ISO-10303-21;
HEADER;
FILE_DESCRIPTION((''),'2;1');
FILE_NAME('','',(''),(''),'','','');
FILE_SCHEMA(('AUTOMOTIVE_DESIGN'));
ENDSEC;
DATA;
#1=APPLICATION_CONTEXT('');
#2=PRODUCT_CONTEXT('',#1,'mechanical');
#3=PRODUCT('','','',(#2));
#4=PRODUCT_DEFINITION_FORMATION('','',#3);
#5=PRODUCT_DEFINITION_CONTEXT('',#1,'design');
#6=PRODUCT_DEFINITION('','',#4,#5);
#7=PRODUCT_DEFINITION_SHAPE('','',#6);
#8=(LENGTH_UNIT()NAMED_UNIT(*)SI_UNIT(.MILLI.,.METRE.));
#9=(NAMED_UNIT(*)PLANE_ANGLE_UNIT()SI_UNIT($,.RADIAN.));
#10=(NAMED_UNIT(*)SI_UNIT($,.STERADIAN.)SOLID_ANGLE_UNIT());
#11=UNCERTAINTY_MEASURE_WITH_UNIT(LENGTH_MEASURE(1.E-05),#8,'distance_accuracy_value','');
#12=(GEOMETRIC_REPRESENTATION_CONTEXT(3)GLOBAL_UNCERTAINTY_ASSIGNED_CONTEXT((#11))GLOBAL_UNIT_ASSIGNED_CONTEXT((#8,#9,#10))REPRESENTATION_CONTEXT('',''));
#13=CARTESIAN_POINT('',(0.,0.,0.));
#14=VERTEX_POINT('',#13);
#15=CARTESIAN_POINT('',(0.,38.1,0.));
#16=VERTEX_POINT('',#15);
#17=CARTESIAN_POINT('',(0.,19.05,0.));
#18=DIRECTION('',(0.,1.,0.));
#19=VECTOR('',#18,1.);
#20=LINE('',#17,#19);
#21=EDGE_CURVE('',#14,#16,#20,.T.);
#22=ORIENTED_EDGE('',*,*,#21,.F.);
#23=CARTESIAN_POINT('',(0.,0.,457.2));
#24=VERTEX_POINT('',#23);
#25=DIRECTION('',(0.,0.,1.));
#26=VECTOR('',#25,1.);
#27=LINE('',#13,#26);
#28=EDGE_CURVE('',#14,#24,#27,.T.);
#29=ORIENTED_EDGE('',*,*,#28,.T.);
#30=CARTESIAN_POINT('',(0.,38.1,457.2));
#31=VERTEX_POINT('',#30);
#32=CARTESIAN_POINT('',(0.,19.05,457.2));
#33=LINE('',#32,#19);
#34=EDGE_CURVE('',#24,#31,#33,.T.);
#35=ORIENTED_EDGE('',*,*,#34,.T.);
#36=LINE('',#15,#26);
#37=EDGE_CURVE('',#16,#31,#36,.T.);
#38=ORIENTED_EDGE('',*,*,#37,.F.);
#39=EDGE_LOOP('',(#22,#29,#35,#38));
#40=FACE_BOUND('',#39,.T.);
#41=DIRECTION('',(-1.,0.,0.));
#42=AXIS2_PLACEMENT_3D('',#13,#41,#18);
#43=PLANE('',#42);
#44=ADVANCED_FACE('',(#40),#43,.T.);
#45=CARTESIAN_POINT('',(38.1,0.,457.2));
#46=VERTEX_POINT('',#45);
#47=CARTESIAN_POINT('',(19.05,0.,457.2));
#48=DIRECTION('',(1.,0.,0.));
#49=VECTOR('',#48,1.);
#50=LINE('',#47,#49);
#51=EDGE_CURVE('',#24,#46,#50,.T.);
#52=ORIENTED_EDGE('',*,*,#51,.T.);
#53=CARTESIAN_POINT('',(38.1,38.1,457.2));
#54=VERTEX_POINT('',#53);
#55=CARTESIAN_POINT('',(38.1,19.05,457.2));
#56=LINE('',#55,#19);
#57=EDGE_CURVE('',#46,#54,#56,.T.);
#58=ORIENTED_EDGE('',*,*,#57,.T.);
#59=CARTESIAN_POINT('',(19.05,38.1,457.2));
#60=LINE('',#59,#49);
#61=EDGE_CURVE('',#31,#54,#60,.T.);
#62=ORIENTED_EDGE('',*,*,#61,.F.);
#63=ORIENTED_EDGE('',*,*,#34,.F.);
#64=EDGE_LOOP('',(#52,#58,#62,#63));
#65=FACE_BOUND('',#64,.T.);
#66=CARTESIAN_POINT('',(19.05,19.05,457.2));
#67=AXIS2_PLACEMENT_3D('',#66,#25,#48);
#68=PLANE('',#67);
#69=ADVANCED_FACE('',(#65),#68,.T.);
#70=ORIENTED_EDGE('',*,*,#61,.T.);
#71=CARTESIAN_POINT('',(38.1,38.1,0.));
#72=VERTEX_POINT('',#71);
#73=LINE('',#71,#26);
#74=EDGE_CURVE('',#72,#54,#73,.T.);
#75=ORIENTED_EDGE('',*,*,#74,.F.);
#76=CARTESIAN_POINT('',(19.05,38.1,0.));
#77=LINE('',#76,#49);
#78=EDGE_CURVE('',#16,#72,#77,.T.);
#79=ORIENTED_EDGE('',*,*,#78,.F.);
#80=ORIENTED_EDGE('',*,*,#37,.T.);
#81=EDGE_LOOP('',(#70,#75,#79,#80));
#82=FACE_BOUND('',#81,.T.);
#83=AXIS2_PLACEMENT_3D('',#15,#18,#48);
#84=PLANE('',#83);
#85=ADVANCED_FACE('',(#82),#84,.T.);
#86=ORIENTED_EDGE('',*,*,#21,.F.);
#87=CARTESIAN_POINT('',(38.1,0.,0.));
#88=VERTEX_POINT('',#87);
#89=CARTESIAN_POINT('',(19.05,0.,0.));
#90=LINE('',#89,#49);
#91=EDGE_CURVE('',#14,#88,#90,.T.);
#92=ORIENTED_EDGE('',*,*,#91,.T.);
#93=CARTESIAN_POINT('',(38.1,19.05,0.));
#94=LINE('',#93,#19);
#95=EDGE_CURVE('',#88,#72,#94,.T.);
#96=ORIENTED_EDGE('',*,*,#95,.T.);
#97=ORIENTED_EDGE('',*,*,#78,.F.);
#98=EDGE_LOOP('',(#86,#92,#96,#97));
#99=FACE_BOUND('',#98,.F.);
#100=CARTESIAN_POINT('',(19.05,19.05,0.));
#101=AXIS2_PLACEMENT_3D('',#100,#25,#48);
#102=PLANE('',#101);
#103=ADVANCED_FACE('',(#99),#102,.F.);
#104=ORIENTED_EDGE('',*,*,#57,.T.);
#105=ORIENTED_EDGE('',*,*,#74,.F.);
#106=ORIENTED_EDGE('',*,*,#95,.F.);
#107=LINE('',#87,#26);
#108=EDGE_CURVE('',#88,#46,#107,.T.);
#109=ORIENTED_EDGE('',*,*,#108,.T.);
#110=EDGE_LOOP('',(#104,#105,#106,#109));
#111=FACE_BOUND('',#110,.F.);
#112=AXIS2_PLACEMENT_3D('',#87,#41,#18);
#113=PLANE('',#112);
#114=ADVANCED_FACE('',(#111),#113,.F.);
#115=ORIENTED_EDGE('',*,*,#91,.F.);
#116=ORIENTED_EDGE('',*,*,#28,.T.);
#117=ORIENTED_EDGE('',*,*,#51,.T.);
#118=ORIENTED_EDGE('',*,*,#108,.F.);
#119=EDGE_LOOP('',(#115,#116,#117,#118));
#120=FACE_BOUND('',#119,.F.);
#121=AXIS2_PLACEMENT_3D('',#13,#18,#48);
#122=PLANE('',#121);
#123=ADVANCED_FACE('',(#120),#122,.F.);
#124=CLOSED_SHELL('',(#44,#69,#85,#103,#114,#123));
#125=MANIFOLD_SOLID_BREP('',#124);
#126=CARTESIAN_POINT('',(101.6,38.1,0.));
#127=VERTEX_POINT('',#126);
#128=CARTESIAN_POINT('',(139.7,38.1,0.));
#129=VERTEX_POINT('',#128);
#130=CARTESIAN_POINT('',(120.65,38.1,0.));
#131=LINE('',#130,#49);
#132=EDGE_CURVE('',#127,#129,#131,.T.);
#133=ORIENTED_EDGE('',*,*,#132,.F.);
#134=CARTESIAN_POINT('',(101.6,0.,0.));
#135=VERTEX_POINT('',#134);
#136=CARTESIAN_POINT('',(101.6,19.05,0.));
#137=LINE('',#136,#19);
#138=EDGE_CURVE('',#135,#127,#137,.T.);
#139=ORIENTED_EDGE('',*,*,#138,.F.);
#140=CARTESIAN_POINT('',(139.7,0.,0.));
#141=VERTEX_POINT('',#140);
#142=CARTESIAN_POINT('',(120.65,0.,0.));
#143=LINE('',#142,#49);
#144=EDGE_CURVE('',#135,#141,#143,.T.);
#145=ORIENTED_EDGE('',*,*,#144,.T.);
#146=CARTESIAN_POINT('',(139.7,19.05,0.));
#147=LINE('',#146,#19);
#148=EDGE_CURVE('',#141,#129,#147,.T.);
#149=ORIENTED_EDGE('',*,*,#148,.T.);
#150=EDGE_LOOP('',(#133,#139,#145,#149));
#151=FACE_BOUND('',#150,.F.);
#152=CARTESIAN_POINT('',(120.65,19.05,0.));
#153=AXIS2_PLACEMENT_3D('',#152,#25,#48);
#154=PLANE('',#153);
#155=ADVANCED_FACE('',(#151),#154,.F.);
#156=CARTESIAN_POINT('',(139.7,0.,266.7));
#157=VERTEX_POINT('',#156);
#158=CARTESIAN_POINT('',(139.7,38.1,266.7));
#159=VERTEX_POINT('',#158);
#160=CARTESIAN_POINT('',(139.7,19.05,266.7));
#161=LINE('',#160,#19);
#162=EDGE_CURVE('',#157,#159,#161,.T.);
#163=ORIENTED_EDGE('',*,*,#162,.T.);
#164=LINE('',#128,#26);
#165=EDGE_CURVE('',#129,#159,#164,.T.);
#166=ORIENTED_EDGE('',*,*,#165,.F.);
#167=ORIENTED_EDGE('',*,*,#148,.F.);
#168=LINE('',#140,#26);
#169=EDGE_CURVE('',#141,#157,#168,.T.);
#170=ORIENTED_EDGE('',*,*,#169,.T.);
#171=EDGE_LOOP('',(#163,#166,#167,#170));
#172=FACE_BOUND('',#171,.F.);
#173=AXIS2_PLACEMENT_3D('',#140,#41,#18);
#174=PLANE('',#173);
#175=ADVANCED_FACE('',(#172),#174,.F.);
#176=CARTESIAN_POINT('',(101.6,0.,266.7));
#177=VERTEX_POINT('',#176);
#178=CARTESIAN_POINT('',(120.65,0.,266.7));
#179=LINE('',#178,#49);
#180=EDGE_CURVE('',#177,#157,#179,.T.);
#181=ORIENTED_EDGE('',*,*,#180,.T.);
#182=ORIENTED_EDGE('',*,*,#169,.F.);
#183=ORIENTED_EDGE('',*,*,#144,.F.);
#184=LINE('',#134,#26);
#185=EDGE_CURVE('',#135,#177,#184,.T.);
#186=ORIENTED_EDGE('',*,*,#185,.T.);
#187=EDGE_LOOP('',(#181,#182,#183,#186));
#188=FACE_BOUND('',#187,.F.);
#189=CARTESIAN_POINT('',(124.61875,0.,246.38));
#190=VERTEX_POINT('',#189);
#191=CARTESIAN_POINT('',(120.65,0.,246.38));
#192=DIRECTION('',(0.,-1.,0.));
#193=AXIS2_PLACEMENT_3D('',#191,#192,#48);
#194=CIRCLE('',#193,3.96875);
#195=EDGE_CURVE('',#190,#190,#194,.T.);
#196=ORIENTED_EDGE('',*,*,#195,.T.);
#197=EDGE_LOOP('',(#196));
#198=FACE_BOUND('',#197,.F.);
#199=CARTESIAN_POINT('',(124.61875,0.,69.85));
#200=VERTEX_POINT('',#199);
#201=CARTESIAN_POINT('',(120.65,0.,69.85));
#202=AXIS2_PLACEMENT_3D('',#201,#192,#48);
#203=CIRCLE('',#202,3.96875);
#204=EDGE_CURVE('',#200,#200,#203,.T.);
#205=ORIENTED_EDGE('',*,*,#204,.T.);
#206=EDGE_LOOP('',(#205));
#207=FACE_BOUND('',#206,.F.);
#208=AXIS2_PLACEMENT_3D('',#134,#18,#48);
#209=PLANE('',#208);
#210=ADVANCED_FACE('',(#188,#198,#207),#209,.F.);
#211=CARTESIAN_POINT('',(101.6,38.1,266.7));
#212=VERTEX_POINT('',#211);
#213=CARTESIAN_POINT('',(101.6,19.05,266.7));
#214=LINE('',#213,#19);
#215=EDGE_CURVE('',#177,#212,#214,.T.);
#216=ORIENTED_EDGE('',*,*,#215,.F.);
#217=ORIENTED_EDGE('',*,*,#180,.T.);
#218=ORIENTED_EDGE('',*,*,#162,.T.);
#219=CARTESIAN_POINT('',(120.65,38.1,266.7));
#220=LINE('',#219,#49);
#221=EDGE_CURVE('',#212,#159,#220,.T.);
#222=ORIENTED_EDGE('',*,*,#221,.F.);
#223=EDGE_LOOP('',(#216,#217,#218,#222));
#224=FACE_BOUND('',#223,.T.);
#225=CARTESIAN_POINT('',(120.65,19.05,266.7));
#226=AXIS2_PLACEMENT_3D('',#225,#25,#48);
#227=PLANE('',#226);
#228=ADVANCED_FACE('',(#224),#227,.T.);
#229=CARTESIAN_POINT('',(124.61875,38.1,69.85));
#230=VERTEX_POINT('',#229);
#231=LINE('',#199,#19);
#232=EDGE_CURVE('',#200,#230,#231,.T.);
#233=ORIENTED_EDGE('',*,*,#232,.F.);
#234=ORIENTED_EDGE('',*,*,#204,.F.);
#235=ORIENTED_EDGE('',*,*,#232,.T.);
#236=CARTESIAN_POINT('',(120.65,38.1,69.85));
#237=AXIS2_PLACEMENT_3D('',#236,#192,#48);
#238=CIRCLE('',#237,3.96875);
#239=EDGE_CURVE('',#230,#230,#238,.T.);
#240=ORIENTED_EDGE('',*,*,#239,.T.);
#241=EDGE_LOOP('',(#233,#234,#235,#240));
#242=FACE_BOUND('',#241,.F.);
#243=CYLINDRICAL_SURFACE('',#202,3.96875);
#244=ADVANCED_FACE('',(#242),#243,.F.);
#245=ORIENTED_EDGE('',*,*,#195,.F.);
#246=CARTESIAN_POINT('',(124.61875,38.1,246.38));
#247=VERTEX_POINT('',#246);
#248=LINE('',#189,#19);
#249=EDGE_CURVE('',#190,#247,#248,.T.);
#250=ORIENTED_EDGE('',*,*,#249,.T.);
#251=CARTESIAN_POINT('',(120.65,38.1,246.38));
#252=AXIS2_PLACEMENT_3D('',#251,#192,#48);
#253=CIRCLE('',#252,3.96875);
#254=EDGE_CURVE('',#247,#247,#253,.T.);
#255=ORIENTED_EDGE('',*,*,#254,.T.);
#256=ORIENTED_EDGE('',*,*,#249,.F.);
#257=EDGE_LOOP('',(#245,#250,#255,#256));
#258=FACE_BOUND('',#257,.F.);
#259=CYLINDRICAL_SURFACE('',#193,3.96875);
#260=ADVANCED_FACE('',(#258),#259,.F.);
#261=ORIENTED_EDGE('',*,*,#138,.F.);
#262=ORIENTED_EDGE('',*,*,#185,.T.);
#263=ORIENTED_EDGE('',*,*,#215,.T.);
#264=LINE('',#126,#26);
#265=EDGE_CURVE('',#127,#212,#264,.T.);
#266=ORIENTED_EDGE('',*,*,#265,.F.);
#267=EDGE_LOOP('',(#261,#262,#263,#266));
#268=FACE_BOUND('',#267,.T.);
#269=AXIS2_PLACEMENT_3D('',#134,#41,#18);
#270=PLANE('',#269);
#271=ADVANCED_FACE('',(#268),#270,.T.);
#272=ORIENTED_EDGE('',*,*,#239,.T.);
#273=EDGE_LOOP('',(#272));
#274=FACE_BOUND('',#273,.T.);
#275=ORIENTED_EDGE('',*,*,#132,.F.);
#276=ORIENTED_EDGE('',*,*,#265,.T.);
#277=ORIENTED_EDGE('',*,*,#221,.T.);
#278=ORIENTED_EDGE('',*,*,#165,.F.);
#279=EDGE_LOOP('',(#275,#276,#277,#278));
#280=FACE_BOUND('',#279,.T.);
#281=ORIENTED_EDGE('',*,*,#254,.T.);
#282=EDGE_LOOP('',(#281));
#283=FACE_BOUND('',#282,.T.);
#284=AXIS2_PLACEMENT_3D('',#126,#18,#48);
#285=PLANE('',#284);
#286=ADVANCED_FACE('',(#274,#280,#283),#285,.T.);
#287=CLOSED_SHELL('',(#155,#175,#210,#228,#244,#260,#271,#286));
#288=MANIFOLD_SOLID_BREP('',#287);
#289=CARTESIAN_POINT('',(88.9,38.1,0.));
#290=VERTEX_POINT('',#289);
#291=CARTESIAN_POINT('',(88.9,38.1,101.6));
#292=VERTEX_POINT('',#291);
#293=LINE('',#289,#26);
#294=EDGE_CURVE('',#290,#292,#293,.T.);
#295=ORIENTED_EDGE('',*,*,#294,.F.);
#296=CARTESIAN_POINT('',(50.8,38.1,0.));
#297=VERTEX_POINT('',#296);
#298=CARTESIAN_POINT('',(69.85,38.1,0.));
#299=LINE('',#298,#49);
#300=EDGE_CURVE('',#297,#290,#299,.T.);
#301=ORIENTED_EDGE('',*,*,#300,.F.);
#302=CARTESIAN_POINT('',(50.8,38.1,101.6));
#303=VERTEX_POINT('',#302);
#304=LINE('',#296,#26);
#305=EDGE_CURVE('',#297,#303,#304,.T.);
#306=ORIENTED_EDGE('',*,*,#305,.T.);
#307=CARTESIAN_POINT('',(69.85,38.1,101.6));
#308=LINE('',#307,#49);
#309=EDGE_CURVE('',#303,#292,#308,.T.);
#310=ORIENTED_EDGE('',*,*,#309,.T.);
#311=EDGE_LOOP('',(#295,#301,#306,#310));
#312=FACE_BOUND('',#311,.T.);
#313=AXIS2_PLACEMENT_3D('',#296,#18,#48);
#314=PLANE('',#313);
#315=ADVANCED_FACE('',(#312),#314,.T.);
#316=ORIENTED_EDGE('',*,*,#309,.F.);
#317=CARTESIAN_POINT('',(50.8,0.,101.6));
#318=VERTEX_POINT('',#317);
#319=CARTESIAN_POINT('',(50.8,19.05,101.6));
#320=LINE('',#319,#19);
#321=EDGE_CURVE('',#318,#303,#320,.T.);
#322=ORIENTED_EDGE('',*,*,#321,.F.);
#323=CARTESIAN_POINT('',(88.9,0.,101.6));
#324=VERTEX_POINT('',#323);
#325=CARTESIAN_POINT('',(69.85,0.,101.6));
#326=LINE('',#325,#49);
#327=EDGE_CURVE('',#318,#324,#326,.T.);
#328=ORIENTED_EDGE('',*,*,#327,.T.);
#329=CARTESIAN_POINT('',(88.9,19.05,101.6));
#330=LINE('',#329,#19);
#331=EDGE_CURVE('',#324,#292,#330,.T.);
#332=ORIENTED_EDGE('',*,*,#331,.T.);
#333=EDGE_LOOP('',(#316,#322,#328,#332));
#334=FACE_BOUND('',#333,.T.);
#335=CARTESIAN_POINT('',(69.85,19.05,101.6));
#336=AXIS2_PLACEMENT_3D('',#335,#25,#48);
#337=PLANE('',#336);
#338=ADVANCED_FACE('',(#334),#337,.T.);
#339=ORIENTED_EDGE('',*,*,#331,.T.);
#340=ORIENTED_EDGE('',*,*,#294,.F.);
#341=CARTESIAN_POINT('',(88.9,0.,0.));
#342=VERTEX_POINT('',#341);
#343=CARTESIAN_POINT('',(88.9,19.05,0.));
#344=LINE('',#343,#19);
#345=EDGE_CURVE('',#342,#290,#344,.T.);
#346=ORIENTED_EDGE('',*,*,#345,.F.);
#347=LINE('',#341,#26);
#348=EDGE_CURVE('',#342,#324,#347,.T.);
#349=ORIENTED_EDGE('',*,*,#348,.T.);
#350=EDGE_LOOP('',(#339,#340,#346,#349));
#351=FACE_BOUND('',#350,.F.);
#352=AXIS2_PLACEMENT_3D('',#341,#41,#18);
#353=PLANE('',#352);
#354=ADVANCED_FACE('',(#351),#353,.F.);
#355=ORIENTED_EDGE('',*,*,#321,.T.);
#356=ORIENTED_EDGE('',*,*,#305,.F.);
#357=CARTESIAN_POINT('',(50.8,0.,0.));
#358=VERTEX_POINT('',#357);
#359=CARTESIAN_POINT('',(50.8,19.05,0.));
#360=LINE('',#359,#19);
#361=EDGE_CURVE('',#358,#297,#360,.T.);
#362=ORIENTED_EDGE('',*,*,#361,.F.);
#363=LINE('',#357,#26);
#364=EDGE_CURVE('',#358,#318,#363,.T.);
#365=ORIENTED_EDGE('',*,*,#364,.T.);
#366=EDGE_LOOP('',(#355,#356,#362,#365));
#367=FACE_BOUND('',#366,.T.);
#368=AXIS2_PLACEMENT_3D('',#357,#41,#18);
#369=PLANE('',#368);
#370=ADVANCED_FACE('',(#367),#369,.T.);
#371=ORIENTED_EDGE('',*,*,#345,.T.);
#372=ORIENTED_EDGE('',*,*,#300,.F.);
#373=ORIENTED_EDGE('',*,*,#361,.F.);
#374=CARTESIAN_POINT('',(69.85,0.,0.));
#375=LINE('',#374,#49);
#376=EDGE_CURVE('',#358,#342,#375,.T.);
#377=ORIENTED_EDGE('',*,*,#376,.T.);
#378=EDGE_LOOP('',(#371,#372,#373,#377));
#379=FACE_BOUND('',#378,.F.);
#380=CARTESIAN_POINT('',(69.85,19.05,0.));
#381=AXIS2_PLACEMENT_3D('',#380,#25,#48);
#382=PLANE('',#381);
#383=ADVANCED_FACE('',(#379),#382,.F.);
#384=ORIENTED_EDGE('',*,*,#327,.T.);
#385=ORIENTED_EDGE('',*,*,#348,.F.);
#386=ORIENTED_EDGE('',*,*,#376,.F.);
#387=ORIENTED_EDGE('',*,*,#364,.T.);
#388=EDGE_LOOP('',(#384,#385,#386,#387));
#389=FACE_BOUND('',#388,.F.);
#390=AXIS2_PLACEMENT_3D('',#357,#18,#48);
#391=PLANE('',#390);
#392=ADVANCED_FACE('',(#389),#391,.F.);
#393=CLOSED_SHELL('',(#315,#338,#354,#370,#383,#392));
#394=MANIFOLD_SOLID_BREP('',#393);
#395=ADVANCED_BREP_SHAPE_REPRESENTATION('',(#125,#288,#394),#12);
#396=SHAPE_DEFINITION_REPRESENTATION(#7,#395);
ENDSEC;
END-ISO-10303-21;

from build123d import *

# Parameters (mm, degrees)
F0_W     = 38.1
F0_H     = 38.1
F1_DEPTH = 457.2
F2_DEPTH = 101.6
F3_DEPTH = 266.7
F4_R     = 3.96875
F5_DEPTH = 38.101


with BuildPart() as f1:
    # F0 (on Top) → F1 (new body)
    with BuildSketch(Plane.XY):
        with Locations((19.05, 19.05)):
            Rectangle(F0_W, F0_H)
    extrude(amount=F1_DEPTH)


with BuildPart() as f2:
    # F0 (on Top) → F2 (new body)
    with BuildSketch(Plane.XY):
        with Locations((69.85, 19.05)):
            Rectangle(F0_W, F0_H)
    extrude(amount=F2_DEPTH)


with BuildPart() as f3:
    # F0 (on Top) → F3 (new body)
    with BuildSketch(Plane.XY):
        with Locations((120.65, 19.05)):
            Rectangle(F0_W, F0_H)
    extrude(amount=F3_DEPTH)

    # F4 (on face) → F5 (cut, through all)
    with BuildSketch(Plane.XZ):
        with Locations((120.65, 69.85)):
            Circle(F4_R)
        with Locations((120.65, 246.38)):
            Circle(F4_R)
    extrude(amount=-F5_DEPTH, mode=Mode.SUBTRACT)


solid = Compound([f1.part, f2.part, f3.part])
